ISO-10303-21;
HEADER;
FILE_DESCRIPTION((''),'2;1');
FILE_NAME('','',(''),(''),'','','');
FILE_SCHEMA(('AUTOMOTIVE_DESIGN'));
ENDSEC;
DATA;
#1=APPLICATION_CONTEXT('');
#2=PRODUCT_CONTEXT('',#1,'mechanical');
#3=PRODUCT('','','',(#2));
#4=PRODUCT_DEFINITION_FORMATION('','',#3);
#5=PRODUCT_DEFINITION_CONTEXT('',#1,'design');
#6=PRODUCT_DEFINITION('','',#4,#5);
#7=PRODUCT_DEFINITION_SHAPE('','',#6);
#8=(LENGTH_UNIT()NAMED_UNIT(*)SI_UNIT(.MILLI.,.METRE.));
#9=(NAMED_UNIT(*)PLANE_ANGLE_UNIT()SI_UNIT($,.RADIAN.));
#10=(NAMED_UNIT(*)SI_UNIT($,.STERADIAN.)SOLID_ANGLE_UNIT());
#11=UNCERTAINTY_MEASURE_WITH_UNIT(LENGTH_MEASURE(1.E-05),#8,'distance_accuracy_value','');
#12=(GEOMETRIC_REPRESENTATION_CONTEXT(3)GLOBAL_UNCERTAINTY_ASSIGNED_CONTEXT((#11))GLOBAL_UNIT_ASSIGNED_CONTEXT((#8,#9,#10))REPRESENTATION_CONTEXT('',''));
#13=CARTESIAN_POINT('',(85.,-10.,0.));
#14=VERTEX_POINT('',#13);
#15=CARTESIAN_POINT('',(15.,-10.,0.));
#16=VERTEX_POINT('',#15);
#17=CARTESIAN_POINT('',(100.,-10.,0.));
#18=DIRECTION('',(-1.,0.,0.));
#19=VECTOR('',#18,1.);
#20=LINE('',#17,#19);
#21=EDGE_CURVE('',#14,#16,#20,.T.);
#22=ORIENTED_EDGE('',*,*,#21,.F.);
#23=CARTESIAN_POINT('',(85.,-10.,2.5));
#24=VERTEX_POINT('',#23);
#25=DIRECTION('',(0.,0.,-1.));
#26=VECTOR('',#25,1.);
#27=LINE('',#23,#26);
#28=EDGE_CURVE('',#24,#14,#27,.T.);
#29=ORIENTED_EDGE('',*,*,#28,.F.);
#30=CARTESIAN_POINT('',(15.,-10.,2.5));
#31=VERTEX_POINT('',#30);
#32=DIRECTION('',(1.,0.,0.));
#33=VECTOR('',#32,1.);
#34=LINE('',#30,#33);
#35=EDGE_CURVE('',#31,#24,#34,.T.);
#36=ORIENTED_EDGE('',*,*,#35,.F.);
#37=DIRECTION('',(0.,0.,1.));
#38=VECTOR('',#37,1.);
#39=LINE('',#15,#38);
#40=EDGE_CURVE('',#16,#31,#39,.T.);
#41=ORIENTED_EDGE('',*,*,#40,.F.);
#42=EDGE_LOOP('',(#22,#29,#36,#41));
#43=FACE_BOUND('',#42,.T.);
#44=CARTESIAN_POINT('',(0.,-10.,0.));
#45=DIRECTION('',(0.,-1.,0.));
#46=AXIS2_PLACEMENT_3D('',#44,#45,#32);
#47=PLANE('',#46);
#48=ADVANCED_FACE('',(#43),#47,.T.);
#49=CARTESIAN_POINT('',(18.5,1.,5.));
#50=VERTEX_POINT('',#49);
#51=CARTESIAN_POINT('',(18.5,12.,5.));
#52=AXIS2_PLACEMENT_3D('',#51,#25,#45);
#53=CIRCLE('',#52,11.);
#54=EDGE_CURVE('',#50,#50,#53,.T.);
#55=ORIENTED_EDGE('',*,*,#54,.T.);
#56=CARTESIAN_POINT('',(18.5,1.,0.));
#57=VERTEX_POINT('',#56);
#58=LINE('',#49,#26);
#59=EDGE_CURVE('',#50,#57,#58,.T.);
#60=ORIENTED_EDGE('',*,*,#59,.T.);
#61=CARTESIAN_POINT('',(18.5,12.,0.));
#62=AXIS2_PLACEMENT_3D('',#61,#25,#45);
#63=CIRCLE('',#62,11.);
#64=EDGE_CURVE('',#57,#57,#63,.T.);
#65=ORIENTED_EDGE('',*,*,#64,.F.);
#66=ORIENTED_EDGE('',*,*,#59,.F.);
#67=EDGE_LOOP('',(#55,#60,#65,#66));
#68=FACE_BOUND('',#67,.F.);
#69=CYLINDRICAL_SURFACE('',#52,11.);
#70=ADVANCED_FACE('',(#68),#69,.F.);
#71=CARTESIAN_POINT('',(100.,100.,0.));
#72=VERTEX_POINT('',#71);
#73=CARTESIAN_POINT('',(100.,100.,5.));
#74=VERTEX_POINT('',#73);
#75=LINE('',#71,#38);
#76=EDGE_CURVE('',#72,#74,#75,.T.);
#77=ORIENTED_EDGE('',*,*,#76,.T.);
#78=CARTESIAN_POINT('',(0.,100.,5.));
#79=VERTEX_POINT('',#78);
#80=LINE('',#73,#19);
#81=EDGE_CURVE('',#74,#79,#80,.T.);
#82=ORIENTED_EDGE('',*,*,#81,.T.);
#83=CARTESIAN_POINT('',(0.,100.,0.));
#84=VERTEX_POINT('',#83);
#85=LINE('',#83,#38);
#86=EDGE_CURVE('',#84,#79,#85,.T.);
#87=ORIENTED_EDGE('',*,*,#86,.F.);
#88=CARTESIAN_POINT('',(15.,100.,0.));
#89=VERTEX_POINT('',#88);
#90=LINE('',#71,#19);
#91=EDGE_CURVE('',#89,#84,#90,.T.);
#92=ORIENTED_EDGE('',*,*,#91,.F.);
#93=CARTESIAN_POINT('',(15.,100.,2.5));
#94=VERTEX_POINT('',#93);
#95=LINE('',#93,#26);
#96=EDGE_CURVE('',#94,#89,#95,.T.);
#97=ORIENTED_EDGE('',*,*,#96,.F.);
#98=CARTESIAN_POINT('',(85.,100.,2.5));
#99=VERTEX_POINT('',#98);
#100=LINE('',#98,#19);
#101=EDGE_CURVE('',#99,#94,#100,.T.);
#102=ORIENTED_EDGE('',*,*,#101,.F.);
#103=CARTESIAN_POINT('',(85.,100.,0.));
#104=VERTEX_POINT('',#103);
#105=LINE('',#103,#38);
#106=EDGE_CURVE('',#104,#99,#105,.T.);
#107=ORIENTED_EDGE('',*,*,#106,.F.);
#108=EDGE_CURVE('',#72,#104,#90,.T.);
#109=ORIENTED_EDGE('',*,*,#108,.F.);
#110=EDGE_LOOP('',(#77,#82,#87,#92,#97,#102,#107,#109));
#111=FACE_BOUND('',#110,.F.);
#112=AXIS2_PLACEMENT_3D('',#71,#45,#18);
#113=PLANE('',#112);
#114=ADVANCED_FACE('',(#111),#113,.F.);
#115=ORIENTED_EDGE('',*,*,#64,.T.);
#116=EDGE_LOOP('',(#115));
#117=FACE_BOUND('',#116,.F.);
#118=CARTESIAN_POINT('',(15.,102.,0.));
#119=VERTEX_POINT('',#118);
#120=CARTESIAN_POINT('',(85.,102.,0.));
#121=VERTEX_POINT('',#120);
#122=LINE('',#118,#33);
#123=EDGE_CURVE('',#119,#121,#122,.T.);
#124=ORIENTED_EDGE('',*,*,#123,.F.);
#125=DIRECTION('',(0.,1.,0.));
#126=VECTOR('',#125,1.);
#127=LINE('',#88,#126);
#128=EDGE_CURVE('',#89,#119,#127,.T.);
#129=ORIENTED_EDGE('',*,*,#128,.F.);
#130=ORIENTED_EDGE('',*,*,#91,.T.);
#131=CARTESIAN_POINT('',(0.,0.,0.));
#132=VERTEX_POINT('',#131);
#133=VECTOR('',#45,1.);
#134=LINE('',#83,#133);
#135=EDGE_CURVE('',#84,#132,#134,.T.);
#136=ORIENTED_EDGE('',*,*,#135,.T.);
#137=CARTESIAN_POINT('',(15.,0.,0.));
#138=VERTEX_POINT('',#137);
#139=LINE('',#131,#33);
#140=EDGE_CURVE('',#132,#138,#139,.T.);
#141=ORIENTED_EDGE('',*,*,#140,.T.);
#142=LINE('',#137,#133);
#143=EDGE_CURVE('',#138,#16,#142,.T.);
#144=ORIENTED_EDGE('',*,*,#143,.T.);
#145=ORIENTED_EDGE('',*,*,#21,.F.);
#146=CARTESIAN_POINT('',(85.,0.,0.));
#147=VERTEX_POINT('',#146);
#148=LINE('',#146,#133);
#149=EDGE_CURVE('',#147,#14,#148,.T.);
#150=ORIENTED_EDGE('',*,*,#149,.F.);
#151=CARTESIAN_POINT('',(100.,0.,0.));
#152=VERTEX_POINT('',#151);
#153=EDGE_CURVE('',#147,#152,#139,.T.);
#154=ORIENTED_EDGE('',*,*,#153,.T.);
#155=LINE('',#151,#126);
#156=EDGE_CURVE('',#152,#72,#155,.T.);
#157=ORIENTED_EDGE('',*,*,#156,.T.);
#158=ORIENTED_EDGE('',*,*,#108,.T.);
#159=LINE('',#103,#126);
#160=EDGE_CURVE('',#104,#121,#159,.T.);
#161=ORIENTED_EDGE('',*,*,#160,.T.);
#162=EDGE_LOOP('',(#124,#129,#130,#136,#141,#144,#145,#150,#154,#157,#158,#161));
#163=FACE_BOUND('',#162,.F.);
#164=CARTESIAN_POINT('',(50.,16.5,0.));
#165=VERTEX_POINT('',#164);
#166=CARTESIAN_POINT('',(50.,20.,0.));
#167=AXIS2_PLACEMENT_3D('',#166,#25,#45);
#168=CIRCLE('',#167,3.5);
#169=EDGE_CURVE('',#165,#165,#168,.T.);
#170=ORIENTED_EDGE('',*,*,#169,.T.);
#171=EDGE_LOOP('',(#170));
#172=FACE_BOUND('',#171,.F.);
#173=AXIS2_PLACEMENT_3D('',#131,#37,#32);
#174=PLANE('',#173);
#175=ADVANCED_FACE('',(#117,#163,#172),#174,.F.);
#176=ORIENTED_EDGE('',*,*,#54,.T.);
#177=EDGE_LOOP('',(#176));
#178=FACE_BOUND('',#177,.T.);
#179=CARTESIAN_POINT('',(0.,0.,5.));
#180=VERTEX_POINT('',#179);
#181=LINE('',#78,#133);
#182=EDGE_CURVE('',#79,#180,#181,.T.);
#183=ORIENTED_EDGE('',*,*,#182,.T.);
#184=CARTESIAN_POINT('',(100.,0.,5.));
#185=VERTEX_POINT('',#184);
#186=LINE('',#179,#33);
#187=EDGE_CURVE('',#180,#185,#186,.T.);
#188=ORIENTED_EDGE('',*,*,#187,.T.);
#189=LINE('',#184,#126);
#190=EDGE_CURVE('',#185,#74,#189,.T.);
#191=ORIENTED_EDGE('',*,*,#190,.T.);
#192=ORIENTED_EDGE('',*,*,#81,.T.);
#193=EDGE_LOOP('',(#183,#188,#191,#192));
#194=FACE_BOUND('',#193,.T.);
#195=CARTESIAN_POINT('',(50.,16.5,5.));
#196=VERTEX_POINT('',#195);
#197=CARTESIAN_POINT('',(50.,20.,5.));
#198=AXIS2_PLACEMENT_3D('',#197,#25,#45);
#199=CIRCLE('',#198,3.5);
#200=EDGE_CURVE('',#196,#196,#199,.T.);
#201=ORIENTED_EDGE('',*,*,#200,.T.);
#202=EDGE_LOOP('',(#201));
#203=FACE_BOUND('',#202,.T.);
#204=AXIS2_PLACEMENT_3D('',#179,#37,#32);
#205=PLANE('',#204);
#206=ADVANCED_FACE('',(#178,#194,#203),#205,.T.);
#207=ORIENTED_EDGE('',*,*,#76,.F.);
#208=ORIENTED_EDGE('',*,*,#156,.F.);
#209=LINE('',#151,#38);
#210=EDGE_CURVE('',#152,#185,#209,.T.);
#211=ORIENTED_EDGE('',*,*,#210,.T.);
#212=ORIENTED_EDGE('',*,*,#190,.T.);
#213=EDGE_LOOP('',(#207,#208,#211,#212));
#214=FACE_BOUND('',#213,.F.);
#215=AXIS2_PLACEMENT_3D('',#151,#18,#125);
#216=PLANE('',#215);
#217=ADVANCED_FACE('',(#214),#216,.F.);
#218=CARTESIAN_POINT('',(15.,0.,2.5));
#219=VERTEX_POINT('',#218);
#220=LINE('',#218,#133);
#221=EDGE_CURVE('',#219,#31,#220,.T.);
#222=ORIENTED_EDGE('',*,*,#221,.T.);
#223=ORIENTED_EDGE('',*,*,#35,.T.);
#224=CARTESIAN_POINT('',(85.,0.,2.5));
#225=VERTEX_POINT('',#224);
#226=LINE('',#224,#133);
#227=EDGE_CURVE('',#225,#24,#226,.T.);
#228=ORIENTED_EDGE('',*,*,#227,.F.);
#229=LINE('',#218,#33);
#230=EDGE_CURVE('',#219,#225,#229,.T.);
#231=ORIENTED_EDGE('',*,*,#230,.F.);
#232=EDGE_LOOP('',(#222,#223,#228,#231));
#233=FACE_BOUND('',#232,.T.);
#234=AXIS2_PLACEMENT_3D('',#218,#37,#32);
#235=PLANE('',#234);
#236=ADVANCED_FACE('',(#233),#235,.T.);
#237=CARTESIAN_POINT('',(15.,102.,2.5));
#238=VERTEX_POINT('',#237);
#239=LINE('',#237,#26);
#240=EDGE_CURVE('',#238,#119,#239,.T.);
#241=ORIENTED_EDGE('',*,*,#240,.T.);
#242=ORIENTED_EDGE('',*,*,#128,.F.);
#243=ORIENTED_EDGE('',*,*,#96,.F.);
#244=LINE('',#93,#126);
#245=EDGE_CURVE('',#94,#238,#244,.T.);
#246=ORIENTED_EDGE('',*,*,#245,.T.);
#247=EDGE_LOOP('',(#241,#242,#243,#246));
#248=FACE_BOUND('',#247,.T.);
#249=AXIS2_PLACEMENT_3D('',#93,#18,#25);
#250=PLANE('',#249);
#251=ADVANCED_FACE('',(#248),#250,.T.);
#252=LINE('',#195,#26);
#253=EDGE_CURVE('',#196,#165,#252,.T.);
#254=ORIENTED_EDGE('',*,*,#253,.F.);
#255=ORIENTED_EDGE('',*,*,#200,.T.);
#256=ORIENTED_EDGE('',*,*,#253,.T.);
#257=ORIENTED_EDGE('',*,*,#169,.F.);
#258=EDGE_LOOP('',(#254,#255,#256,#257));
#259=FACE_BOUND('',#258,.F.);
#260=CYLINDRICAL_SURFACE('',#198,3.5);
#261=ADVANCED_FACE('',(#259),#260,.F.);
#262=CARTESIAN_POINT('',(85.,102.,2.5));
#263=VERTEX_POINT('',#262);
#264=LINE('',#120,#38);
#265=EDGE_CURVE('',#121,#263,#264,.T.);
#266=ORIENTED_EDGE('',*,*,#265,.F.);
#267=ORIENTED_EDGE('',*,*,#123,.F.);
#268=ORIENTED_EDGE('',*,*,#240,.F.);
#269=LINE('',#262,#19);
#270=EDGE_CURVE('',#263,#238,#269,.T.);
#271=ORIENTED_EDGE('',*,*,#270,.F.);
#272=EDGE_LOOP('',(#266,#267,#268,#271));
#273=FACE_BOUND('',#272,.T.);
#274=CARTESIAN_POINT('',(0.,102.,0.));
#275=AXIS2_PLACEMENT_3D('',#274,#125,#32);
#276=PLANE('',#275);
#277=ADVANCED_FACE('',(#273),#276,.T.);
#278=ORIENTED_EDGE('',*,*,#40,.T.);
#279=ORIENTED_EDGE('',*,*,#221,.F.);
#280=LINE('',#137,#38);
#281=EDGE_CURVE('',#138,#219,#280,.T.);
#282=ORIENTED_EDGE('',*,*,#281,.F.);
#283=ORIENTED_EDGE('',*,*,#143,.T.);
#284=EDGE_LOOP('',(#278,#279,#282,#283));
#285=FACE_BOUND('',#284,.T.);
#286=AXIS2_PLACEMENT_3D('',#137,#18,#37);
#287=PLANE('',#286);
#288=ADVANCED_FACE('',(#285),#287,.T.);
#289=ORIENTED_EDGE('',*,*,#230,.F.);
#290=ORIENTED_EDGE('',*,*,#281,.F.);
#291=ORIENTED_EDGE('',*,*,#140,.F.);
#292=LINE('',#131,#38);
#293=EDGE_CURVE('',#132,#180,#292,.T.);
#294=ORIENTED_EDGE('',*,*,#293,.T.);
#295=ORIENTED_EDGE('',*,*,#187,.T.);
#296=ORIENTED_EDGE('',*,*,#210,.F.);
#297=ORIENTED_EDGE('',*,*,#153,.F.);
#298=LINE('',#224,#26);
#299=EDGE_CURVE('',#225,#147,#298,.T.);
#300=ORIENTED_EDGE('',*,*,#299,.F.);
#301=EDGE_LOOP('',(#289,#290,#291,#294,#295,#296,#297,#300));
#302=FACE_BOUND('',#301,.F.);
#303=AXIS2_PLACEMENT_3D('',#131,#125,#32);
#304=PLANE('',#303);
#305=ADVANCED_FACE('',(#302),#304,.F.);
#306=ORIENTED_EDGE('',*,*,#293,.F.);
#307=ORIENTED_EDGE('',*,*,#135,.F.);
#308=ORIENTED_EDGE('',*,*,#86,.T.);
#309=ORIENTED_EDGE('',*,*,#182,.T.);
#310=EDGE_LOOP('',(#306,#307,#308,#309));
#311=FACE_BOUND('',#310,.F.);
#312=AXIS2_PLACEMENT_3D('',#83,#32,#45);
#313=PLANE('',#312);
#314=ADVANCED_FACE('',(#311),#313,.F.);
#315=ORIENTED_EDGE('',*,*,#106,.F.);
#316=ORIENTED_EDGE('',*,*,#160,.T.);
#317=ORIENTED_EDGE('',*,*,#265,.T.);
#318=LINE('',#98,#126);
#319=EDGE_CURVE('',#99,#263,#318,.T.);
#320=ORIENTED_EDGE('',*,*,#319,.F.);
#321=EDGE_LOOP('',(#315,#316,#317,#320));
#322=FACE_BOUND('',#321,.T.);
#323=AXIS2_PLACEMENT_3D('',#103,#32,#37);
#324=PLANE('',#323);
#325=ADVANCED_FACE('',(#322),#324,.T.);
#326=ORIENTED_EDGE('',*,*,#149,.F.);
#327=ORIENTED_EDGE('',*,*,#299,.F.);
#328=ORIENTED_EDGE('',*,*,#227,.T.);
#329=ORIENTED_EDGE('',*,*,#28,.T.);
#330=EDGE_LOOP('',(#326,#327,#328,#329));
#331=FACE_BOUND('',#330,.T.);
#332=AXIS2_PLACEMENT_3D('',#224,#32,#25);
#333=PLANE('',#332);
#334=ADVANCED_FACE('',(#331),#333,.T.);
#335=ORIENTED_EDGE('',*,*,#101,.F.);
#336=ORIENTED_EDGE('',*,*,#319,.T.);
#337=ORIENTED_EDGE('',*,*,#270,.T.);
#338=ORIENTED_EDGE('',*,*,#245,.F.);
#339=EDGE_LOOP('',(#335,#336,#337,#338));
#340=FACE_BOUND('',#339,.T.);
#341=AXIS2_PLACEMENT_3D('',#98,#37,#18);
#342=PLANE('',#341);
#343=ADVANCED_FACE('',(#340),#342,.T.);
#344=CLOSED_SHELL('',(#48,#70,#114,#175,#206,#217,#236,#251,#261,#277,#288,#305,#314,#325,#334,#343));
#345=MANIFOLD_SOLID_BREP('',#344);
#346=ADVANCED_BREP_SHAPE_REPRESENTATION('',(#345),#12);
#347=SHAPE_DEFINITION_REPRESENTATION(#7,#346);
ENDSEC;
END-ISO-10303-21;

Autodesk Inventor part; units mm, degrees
ref_plane "YZ Plane" through (0, 0, 0) normal (1, 0, 0) x (0, 1, 0)
ref_plane "XZ Plane" through (0, 0, 0) normal (0, 1, 0) x (-1, 0, 0)
ref_plane "XY Plane" through (0, 0, 0) normal (0, 0, 1) x (1, 0, 0)
sketch "スケッチ1" plane through (0, 0, 0) normal (0, 0, 1) x (1, 0, 0)
  line L0 (0, 0) -> (100, 0)
  line L1 (100, 0) -> (100, 100)
  line L2 (100, 100) -> (0, 100)
  line L3 (0, 100) -> (0, 0)
  dimension "d0" = 100
  dimension "d1" = 100
extrude "押し出し1" add sketch "スケッチ1" along normal blind 5
sketch "スケッチ2" plane through (0, 0, 0) normal (0, -1, 0) x (1, 0, 0)
  line L0 (100, 5) -> (0, 5) projected
  line L1 (50, 5) -> (50, 0) construction
  line L2 (100, 0) -> (0, 0) projected
  line L3 (85, 0) -> (15, 0)
  line L4 (15, 0) -> (15, 2.5)
  line L5 (15, 2.5) -> (85, 2.5)
  line L6 (85, 2.5) -> (85, 0)
  point P0 (15, 0)
  dimension "d4" = 70
  dimension "d5" = 2.5
extrude "押し出し2" add sketch "スケッチ2" along normal blind 10
sketch "スケッチ3" plane through (0, 0, 5) normal (0, 0, 1) x (1, 0, 0)
  line L0 (100, 100) -> (0, 100) projected
  line L1 (50, 100) -> (50, 0) construction
  line L2 (15, 0) -> (85, 0) projected
  point P0 (0, 0)
  point P1 (50, 20)
  dimension "d15" = 20
hole "穴1" at (50, 20, 5) direction (0, 0, -1) diameter 7 end through all
sketch "スケッチ4" plane through (0, 0, 5) normal (0, 0, 1) x (1, 0, 0)
  line L0 (0, 100) -> (0, 0) projected
  line L1 (0, 12) -> (100, 12) construction
  line L2 (100, 0) -> (100, 100) projected
  circle A0 centre (50, 20) radius 3.5 projected
  point P0 (18.5, 12)
  dimension "d16" = 12
  dimension "d17" = 32.5
hole "穴2" at (18.5, 12, 5) direction (0, 0, -1) diameter 22 end through all
sketch "スケッチ5" plane through (0, 100, 0) normal (0, 1, 0) x (1, 0, 0)
  line L0 (15, 0) -> (85, 0) projected
  line L1 (50, 0) -> (50, -5) construction
  line L2 (53.5, -5) -> (46.5, -5) projected
  line L3 (15, 0) -> (85, 0)
  line L4 (85, 0) -> (85, -2.5)
  line L5 (85, -2.5) -> (15, -2.5)
  line L6 (15, -2.5) -> (15, 0)
  point P0 (0, 0)
  dimension "d25" = 2.5
  dimension "d26" = 70
extrude "押し出し3" add sketch "スケッチ5" along normal blind 2
properties part number "body_left"
